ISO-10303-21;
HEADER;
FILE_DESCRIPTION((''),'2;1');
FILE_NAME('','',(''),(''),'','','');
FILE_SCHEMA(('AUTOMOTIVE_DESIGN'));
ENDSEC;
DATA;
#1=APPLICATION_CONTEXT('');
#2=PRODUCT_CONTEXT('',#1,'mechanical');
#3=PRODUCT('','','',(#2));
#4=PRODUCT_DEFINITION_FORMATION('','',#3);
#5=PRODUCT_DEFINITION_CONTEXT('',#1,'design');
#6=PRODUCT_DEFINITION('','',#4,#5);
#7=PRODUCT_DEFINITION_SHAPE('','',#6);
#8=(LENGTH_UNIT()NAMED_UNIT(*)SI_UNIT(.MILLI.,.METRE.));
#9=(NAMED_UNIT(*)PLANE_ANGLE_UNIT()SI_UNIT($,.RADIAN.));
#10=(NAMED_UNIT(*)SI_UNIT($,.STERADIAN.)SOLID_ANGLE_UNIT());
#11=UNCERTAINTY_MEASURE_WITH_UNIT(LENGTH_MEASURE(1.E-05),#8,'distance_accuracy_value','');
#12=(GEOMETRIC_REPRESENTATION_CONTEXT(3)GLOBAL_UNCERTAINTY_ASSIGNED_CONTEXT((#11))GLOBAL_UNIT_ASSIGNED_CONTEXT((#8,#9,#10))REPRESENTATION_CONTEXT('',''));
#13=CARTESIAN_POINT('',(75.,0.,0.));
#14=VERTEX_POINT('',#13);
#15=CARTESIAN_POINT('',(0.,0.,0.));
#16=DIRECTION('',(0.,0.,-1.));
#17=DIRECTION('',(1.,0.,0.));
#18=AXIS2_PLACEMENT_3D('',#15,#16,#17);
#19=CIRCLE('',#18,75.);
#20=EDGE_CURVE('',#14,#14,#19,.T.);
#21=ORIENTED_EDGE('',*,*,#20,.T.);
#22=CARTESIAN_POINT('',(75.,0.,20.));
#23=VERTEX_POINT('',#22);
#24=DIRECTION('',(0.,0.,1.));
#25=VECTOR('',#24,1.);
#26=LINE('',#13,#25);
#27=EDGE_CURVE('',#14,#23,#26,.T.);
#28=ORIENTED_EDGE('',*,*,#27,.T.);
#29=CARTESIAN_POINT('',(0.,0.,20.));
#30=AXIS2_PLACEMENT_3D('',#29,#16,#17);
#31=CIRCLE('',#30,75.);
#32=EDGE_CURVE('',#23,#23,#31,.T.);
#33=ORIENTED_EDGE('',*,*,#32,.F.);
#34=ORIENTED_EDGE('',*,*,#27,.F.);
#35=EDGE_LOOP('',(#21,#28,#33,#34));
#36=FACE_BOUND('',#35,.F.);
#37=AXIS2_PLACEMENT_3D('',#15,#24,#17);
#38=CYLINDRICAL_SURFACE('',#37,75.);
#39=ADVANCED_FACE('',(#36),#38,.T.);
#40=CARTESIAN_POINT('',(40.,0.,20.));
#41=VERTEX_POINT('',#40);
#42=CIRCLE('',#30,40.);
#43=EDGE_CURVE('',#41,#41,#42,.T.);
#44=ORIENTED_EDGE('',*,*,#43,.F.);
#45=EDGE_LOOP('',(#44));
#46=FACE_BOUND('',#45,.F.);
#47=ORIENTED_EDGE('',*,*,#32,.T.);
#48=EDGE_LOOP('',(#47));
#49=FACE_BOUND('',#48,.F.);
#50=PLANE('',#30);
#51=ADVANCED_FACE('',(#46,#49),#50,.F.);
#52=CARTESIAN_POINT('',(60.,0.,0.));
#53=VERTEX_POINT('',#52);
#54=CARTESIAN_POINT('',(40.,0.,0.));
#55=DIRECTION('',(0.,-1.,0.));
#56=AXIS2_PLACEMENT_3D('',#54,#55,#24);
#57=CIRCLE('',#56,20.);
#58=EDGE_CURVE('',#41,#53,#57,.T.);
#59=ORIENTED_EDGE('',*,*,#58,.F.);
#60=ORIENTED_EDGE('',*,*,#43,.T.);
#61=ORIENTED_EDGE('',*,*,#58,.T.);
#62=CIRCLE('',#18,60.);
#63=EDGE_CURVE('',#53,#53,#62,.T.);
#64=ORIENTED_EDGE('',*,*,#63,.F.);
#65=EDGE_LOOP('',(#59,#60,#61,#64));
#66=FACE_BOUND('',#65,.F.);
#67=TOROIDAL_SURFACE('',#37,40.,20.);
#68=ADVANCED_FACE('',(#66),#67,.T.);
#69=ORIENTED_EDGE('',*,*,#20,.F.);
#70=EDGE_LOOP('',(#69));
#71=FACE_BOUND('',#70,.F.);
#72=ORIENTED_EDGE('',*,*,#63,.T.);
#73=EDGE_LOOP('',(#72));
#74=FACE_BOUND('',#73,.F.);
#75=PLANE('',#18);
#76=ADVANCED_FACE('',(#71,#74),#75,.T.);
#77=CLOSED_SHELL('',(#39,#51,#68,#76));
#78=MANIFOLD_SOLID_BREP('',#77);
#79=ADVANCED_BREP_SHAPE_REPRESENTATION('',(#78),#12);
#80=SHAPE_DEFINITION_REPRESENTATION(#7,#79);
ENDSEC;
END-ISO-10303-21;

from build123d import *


with BuildPart() as f1:
    # F0 (on Front) → F1 (revolve)
    with BuildSketch(Plane.XZ):
        with BuildLine():
            Line((40, 0), (60, 0))
            ThreePointArc((60, 0), (54.1421356237, 14.1421356237), (40, 20))
            Line((40, 20), (40, 0))
        make_face()
        with BuildLine():
            ThreePointArc((40, 20), (25.8578643763, -14.1421356237), (60, 0))
            Line((60, 0), (40, 0))
            Line((40, 0), (40, 20))
        make_face()
        with BuildLine():
            ThreePointArc((40, 20), (54.1421356237, 14.1421356237), (60, 0))
            Line((60, 0), (75, 0))
            Line((75, 0), (75, 20))
            Line((75, 20), (40, 20))
        make_face()
    revolve(axis=Axis((0, 0, 0.3604143858), (0, 0, -1)))


solid = f1.part
